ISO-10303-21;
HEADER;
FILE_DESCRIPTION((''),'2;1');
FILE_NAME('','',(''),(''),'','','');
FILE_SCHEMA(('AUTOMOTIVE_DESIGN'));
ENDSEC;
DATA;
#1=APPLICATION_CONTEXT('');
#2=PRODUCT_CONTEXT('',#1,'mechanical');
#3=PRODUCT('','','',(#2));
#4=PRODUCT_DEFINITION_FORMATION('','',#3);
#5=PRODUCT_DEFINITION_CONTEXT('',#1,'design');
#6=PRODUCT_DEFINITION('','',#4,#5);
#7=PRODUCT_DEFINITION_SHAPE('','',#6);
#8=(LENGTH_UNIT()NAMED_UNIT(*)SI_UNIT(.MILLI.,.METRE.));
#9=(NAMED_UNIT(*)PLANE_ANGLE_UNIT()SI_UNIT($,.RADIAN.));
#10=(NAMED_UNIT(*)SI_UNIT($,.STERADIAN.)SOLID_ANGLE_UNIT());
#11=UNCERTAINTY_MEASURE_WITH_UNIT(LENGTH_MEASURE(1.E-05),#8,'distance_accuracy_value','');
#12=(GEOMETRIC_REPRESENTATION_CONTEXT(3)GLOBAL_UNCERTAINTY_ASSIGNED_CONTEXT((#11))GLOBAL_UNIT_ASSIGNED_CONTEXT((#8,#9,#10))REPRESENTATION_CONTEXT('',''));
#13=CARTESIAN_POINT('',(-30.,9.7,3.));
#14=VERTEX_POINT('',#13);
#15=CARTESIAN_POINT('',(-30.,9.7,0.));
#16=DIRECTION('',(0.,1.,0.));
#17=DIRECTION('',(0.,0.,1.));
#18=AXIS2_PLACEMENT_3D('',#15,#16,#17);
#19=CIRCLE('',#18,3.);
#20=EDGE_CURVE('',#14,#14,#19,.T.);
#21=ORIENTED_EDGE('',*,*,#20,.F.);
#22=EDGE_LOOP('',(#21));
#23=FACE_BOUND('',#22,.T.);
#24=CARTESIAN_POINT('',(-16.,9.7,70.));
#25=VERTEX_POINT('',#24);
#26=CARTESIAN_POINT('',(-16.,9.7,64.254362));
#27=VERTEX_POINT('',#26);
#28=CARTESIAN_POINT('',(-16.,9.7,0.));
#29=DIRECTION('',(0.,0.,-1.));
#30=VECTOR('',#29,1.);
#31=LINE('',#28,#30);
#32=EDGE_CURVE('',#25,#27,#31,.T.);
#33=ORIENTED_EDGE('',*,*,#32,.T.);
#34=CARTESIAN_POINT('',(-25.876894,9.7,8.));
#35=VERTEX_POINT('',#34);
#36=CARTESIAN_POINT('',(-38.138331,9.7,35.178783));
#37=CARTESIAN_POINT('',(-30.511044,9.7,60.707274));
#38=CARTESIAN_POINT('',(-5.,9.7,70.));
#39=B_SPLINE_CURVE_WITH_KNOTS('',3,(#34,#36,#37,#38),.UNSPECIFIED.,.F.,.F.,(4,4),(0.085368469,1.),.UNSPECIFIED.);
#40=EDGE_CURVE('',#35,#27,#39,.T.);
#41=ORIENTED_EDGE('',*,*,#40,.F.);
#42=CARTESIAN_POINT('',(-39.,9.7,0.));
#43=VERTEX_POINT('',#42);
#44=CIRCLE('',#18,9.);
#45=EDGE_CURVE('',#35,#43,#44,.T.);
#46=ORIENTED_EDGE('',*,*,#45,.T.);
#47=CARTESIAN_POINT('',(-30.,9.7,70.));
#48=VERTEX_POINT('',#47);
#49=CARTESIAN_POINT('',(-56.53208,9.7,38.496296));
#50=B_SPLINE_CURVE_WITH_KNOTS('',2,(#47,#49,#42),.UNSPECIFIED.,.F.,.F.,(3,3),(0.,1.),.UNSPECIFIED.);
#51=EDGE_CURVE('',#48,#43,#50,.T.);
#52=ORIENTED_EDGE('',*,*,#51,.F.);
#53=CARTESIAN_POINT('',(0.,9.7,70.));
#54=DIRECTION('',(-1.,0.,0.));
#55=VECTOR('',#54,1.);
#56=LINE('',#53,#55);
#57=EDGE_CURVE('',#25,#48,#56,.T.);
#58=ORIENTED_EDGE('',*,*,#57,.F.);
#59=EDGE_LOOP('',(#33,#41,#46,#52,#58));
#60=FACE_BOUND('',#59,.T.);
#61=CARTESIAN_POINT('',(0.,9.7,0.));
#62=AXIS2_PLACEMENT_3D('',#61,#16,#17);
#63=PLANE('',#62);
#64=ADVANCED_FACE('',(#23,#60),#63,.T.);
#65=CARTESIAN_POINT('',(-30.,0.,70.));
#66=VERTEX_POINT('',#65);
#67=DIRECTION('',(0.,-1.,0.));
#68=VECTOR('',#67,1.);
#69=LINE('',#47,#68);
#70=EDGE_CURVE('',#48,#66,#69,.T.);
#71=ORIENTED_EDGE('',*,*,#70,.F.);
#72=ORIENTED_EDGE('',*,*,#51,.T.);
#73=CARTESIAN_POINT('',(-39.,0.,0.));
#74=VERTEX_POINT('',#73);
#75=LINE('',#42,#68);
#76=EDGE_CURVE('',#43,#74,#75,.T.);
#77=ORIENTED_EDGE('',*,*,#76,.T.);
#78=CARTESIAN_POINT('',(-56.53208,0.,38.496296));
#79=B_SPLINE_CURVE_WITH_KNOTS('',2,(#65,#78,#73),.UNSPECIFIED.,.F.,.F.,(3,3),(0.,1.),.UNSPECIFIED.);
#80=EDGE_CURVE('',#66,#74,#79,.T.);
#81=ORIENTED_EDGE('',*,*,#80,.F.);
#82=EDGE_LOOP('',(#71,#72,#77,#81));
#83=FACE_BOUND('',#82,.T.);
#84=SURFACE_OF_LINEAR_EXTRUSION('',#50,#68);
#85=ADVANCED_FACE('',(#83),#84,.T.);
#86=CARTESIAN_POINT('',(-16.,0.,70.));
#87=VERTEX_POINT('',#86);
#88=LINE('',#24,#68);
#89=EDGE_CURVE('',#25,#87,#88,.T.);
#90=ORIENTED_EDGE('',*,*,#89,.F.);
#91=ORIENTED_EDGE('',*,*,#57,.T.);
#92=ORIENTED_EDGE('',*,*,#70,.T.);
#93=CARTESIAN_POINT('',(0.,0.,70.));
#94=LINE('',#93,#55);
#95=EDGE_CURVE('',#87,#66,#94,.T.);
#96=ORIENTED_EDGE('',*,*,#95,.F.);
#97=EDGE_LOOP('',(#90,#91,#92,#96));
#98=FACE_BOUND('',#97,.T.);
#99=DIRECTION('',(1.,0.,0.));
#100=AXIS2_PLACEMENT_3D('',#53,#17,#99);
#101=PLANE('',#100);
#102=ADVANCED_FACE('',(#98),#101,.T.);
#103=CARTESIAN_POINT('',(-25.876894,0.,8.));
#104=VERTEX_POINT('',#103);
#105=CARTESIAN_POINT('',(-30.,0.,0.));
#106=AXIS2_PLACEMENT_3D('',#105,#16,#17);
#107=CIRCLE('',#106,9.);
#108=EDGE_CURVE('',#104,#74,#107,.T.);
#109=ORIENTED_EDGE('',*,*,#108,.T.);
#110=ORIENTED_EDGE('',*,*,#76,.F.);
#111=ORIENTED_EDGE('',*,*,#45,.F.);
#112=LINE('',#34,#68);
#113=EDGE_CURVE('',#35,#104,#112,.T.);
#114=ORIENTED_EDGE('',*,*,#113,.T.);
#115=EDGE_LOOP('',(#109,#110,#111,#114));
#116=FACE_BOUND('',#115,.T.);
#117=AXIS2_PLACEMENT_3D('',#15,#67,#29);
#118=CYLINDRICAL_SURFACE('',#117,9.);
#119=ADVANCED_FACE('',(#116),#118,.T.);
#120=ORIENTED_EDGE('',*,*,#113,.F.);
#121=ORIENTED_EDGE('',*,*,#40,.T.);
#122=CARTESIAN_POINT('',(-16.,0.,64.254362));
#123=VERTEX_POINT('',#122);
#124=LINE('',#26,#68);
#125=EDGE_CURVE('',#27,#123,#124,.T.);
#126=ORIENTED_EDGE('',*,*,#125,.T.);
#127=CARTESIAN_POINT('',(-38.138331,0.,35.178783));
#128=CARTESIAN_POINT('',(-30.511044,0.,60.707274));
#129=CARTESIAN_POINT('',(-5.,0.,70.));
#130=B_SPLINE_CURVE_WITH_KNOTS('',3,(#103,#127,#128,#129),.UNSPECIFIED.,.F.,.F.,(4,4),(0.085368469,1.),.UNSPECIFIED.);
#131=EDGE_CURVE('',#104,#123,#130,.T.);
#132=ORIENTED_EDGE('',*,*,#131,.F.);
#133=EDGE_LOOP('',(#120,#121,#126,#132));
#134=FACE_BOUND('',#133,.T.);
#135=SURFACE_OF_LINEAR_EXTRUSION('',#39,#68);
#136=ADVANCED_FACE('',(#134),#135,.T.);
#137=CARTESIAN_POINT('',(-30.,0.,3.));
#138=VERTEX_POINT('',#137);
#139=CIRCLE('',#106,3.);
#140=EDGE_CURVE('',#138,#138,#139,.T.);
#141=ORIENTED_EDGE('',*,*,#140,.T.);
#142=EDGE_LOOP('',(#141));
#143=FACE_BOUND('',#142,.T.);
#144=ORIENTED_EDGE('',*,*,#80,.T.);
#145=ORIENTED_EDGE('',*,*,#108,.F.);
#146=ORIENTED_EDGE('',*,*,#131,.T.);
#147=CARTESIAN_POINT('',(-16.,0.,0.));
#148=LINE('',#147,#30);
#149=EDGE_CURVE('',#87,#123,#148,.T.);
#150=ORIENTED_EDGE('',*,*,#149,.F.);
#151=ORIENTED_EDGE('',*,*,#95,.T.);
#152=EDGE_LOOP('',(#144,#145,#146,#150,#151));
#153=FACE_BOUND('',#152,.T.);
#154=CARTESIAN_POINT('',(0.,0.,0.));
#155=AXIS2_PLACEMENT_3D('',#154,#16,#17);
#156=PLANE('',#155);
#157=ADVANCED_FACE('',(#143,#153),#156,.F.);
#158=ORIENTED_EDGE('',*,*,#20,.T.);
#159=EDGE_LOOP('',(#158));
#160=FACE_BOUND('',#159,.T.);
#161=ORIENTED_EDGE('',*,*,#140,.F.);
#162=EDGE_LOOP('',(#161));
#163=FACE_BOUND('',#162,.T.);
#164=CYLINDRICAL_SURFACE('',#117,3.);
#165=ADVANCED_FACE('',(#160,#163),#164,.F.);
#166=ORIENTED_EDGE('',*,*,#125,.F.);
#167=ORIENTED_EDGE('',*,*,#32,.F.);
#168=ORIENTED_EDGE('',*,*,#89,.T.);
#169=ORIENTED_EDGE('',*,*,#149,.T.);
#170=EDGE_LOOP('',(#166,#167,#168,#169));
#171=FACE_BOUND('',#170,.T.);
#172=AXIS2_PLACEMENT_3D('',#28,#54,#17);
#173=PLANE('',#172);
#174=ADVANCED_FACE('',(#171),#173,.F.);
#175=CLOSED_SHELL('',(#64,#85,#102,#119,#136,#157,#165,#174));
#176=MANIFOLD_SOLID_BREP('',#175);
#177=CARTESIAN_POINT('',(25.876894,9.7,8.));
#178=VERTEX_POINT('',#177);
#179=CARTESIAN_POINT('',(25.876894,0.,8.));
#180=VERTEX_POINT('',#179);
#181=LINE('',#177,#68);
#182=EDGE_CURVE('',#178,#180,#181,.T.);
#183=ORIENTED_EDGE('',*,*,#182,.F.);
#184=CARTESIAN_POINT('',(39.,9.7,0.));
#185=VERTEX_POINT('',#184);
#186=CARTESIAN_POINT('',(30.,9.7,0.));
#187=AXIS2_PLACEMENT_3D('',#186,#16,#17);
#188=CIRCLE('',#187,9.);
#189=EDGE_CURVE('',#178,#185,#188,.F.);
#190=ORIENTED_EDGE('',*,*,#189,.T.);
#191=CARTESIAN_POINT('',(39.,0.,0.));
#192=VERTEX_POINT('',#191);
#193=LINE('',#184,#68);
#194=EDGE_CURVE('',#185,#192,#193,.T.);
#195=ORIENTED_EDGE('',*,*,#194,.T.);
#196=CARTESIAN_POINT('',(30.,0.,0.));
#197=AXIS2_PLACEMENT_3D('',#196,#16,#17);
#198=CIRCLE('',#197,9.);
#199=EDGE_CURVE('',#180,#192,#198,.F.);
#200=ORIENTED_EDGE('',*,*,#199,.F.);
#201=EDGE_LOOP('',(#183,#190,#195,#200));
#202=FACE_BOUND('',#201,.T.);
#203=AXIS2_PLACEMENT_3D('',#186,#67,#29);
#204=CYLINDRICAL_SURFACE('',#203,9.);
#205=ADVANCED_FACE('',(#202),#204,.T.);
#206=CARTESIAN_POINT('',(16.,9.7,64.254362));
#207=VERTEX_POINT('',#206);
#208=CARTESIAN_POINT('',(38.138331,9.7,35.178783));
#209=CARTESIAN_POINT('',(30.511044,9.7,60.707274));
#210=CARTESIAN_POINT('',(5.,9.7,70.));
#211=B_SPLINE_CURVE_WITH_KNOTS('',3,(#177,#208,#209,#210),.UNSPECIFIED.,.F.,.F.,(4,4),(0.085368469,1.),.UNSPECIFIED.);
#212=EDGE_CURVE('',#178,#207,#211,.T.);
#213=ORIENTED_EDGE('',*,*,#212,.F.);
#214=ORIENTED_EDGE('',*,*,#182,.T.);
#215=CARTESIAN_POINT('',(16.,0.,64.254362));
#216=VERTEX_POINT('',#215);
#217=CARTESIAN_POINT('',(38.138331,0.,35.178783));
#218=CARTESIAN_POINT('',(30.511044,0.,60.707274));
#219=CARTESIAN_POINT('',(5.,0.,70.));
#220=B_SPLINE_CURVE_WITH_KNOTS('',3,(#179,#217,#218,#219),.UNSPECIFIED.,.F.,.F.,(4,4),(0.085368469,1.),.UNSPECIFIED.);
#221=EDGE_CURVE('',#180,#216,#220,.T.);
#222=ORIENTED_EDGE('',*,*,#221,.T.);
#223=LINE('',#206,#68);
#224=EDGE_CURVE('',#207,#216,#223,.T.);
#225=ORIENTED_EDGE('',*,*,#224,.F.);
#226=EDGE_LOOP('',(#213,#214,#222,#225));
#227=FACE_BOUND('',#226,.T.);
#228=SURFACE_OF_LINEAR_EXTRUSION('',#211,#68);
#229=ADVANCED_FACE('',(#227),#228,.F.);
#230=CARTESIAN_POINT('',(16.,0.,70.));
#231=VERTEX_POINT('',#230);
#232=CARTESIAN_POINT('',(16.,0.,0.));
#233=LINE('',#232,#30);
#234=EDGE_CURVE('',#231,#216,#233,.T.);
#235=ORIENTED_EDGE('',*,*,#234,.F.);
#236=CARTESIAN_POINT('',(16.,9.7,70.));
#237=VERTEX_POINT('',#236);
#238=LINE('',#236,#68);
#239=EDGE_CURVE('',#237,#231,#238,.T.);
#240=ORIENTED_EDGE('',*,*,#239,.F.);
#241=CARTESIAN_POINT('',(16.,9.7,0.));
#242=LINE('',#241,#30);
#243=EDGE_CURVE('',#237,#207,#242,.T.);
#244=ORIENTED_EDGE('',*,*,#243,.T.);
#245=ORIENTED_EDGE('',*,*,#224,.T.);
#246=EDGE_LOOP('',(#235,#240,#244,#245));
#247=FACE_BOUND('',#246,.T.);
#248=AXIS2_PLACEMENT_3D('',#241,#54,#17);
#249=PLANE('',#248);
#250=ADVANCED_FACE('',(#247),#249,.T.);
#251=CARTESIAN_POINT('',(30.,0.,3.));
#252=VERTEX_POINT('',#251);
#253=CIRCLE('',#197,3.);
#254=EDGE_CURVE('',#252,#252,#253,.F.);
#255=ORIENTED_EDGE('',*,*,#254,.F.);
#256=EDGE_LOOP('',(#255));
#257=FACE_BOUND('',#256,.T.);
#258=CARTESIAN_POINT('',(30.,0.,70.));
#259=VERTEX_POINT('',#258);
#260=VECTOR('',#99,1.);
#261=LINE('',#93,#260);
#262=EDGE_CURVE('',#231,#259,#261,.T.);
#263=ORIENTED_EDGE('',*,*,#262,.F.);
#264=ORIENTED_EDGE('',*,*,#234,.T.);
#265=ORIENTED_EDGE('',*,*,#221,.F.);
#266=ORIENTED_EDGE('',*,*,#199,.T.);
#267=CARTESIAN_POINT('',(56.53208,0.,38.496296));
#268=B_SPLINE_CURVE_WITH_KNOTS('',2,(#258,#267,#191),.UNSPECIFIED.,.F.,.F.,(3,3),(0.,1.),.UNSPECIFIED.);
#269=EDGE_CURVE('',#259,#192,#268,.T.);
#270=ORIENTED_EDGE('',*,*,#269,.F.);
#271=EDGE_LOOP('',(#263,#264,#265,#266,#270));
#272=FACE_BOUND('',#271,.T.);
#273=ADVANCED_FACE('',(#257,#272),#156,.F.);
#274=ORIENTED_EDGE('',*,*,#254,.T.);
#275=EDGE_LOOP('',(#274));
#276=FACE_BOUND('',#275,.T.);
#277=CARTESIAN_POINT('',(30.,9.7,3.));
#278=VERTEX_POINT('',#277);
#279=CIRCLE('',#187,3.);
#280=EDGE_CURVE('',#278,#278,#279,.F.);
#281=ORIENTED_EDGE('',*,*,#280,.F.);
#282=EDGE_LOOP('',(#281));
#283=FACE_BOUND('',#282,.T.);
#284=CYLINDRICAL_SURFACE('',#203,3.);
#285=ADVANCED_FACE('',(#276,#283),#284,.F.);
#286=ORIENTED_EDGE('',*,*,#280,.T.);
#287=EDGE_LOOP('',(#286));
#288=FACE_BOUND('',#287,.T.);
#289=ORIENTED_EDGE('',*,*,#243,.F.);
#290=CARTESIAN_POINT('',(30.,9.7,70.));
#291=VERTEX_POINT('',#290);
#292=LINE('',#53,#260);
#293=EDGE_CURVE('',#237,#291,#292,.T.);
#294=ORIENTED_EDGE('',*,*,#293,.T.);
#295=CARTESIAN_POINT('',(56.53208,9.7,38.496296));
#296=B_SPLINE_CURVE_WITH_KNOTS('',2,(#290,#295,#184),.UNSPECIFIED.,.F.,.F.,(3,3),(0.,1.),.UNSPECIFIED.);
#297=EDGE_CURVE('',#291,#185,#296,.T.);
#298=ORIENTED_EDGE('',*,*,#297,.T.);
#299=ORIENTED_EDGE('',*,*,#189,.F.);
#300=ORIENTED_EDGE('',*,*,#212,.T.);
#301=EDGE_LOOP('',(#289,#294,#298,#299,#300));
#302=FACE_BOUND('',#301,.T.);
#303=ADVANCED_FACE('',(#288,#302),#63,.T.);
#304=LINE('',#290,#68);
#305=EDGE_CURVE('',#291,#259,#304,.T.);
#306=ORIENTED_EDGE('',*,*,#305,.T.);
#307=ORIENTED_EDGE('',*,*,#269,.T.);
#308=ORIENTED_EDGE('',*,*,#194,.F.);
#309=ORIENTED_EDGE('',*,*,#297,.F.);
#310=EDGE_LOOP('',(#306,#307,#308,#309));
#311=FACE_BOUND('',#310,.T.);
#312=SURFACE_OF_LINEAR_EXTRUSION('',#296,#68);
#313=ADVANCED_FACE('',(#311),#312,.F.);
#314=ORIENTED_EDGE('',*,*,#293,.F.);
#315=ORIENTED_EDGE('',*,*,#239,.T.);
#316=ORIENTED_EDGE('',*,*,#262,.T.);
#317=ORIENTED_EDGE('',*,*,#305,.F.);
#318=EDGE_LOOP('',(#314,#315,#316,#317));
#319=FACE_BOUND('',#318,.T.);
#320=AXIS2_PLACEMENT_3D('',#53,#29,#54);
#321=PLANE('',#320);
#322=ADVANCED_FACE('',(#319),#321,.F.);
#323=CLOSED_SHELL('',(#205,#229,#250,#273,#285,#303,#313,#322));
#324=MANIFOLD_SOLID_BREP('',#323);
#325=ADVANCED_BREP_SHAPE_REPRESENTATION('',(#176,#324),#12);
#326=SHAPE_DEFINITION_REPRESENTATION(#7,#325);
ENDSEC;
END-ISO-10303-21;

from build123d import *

# Parameters (mm, degrees)
SKETCH1_R   = 9
SKETCH1_R_2 = 3
JAW_DEPTH   = 9.7


with BuildPart() as part:
    # Sketch1 → JAW (new body)
    # profile 1 of 4: a face of its own
    with BuildSketch(Plane(origin=(0, 0, 0), x_dir=(1, 0, 0), z_dir=(0, 1, 0))):
        with BuildLine():
            Line((-30, -70), (-16, -70))
            Line((-16, -70), (-16, -64.254362193))
            add(Edge.make_bspline(
                [(-25.876894374, -8), (-36.148198027, -30.767441184), (-32.463039253, -52.37682767), (-16, -64.254362193)],
                knots=[0.085368469, 0.085368469, 0.085368469, 0.085368469, 0.851547731, 0.851547731, 0.851547731, 0.851547731], degree=3))
            ThreePointArc((-25.876894374, -8), (-34.684658438, -7.684658438), (-39, 0))
            add(Edge.make_bspline(
                [(-30, -70), (-56.532080268, -38.496296341), (-39, 0)],
                knots=[0, 0, 0, 1, 1, 1], degree=2))
        make_face()
    # profile 2 of 4: a face of its own
    with BuildSketch(Plane(origin=(0, 0, 0), x_dir=(1, 0, 0), z_dir=(0, 1, 0))):
        with Locations((-30, 0)):
            Circle(SKETCH1_R)
        with Locations(Location((-30, 0, 0), (0, 0, 270))):
            Circle(SKETCH1_R_2, mode=Mode.SUBTRACT)
    # profile 3 of 4: a face of its own
    with BuildSketch(Plane(origin=(0, 0, 0), x_dir=(1, 0, 0), z_dir=(0, 1, 0))):
        with BuildLine():
            Line((16, -64.254362193), (16, -70))
            Line((16, -70), (30, -70))
            add(Edge.make_bspline(
                [(30, -70), (56.532080268, -38.496296341), (39, 0)],
                knots=[0, 0, 0, 1, 1, 1], degree=2))
            ThreePointArc((39, 0), (34.684658438, -7.684658438), (25.876894374, -8))
            add(Edge.make_bspline(
                [(25.876894374, -8), (36.148198027, -30.767441184), (32.463039253, -52.37682767), (16, -64.254362193)],
                knots=[0.085368469, 0.085368469, 0.085368469, 0.085368469, 0.851547731, 0.851547731, 0.851547731, 0.851547731], degree=3))
        make_face()
    # profile 4 of 4: a face of its own
    with BuildSketch(Plane(origin=(0, 0, 0), x_dir=(1, 0, 0), z_dir=(0, 1, 0))):
        with Locations((30, 0)):
            Circle(SKETCH1_R)
        with Locations(Location((30, 0, 0), (0, 0, 270))):
            Circle(SKETCH1_R_2, mode=Mode.SUBTRACT)
    extrude(amount=JAW_DEPTH)


solid = part.part
